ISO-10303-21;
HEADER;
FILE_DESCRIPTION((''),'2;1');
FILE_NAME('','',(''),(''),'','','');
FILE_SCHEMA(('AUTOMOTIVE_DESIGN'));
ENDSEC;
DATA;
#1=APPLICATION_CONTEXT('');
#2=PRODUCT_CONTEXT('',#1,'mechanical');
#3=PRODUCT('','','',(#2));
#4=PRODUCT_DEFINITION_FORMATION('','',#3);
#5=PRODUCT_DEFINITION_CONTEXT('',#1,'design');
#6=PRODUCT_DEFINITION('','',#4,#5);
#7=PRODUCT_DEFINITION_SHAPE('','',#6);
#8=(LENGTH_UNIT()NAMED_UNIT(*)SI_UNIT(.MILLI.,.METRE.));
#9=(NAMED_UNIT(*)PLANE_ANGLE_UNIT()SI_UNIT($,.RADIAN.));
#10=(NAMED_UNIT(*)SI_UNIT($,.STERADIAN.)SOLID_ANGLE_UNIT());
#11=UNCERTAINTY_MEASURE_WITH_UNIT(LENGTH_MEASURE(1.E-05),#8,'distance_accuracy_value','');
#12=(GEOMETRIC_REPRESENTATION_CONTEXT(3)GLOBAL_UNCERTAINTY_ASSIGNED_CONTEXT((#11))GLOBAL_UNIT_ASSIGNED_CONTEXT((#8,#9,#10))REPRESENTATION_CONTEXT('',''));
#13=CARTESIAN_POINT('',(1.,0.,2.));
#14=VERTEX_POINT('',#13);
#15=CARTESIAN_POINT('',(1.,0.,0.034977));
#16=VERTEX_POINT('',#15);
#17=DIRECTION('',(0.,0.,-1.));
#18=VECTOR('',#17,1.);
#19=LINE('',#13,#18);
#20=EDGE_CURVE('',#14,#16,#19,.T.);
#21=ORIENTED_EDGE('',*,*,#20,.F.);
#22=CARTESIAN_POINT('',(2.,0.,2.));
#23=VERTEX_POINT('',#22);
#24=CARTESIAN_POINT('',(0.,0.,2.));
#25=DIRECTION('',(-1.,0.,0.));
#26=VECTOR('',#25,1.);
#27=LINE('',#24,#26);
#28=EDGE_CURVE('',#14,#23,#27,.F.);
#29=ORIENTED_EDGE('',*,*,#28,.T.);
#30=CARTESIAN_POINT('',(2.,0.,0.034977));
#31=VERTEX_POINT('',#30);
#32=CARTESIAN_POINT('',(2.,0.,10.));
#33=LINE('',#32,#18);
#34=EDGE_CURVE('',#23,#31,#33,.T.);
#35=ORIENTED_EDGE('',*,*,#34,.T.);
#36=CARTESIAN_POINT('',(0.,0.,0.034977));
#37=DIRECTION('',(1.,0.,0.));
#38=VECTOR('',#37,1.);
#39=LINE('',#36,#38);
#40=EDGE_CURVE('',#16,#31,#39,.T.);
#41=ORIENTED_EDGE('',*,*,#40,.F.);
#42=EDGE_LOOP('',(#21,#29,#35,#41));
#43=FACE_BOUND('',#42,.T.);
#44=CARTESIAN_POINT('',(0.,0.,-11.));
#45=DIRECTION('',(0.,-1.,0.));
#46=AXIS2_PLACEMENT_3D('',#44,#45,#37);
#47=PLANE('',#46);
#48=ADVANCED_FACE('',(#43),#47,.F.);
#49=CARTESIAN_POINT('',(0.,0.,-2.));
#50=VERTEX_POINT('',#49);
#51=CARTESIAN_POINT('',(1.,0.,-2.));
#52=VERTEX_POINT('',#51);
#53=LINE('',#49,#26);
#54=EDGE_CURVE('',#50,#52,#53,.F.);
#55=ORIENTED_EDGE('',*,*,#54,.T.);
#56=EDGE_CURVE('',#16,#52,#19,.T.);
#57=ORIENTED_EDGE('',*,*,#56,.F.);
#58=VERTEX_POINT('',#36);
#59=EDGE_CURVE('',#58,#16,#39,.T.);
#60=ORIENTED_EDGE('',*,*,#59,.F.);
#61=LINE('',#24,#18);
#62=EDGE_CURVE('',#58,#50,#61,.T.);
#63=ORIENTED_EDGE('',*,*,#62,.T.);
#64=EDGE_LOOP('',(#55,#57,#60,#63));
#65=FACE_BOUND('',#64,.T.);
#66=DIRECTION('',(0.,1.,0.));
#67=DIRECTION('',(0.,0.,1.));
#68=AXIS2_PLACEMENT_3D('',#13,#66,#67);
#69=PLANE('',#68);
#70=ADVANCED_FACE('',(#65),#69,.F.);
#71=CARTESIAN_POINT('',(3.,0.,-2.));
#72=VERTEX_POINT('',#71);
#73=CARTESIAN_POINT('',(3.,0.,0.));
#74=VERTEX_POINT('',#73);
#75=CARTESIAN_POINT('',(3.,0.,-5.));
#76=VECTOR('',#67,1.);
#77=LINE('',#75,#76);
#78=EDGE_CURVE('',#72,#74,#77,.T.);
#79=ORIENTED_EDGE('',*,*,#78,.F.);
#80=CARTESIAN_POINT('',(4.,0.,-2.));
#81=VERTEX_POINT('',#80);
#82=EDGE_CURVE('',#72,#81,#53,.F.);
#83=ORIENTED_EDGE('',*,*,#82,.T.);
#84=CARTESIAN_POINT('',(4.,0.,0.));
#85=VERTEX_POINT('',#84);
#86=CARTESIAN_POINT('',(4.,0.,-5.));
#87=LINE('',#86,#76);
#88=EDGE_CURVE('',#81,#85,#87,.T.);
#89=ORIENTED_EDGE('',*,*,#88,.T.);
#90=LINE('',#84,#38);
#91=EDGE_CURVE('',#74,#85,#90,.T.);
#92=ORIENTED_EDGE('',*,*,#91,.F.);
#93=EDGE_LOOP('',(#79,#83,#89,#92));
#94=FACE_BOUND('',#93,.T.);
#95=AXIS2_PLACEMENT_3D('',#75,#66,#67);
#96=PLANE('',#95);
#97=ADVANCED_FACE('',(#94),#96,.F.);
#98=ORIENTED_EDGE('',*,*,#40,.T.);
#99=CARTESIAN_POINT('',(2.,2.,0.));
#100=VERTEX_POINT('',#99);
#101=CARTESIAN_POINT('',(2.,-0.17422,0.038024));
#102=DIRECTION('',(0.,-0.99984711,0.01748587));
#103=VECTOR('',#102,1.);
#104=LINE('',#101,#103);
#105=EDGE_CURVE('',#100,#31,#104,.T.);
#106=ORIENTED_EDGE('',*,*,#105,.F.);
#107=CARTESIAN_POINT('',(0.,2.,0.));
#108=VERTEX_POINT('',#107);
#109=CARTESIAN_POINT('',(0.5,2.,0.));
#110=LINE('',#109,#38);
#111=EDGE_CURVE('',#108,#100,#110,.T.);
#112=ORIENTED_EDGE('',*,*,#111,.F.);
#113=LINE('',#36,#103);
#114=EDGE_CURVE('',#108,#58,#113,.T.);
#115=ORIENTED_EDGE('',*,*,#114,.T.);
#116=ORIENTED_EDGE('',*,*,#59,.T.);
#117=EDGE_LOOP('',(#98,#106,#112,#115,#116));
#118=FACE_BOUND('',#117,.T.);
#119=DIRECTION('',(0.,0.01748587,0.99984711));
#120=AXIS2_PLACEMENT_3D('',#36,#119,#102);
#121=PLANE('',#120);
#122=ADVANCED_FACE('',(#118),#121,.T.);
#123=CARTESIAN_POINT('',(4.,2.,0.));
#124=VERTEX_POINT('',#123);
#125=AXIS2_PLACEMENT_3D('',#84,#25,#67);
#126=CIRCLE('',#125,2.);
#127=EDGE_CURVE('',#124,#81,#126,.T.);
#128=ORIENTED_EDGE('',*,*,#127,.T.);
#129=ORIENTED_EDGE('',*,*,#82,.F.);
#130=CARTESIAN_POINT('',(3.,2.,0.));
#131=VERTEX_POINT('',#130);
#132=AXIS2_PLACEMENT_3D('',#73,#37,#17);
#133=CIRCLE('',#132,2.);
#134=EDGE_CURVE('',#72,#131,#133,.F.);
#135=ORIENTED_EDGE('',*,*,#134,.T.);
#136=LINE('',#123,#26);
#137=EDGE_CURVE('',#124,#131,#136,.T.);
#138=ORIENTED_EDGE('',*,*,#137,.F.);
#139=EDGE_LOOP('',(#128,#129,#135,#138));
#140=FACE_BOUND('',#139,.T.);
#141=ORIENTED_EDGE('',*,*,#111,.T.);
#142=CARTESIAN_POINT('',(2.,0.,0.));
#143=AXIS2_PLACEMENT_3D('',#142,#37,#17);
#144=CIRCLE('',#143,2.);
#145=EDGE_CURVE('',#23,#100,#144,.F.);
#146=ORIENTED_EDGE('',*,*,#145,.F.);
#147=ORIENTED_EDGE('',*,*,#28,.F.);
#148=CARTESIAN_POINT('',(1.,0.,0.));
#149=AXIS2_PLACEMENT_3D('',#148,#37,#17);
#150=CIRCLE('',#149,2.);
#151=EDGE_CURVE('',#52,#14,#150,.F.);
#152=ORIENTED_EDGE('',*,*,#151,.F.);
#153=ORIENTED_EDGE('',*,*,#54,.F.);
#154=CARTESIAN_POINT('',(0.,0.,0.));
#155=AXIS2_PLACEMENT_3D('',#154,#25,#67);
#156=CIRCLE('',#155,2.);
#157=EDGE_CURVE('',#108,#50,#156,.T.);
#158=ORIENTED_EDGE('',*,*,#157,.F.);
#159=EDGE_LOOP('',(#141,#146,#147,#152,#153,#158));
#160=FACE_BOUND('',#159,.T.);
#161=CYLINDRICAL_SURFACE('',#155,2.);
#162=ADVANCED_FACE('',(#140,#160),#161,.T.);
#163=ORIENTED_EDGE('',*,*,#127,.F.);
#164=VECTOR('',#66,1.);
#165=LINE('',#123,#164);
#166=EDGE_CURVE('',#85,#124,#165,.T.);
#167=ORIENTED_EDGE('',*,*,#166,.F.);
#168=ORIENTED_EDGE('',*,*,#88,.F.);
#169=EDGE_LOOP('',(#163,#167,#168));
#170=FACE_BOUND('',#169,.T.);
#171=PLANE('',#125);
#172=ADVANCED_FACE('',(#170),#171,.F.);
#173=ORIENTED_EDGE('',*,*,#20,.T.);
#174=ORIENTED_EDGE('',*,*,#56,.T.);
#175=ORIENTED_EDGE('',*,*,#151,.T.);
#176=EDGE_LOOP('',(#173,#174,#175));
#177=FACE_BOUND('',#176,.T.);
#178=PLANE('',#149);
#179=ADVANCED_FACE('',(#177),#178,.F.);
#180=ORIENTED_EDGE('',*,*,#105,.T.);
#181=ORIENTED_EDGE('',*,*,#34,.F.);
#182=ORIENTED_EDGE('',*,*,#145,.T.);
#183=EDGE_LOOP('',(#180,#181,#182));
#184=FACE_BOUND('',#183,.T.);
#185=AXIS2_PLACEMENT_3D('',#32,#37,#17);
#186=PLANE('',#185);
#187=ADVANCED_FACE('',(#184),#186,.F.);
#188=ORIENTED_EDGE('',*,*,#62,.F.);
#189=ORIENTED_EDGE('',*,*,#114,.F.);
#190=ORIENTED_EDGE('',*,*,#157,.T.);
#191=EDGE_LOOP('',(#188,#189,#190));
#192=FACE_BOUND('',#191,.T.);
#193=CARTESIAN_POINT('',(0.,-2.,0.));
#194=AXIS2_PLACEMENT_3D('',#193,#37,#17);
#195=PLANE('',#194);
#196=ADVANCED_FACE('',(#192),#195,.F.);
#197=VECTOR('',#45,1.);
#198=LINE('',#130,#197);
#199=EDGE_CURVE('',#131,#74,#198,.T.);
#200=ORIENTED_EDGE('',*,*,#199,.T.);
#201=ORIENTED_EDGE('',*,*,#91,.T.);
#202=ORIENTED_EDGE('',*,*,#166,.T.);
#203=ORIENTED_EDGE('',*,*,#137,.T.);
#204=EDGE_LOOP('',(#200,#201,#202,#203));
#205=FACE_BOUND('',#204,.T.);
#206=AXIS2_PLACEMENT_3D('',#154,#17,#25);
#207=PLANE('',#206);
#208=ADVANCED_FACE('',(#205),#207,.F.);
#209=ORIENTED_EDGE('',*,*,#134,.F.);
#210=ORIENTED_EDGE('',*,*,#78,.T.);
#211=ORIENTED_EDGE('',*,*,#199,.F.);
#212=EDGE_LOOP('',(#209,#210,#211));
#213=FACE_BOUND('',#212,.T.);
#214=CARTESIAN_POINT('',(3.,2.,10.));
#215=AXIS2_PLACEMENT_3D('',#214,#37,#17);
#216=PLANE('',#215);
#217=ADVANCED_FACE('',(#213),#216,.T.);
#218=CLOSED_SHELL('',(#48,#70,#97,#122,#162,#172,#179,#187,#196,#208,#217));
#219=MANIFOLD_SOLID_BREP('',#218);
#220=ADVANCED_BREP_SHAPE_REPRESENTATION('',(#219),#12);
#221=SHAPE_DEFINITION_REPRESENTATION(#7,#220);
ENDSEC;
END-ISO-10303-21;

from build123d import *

# Parameters (mm, degrees)
SKETCH5_W           = 4
SKETCH5_H           = 2
SKETCH6_W           = 1
SKETCH6_H           = 2
CUT_EXTRUDE5_DEPTH  = 11
SKETCH8_W           = 0.5
SKETCH8_H           = 2
CUT_EXTRUDE7_DEPTH  = 10
SKETCH9_W           = 1.5
SKETCH9_H           = 2
CUT_EXTRUDE8_DEPTH  = 10
BOSS_EXTRUDE1_DEPTH = 4
SKETCH13_W          = 4.449870591
SKETCH13_H          = 3.198188742
CUT_EXTRUDE10_DEPTH = 1
SKETCH14_W          = 1
SKETCH14_H          = 2
CUT_EXTRUDE11_DEPTH = 10
SKETCH15_W          = 1
SKETCH15_H          = 2
CUT_EXTRUDE12_DEPTH = 5


with BuildPart() as part:
    # Sketch5 → Revolve-Thin2 (revolve)
    with BuildSketch(Plane.XY):
        with Locations((2, 1)):
            Rectangle(SKETCH5_W, SKETCH5_H)
    revolve(axis=Axis((0, 0, 0), (1, 0, 0)))

    # Sketch6 → Cut-Extrude5 (cut)
    with BuildSketch(Plane.XY):
        with Locations((3.5, 1)):
            Rectangle(SKETCH6_W, SKETCH6_H)
        with Locations((0.5, 1)):
            Rectangle(SKETCH6_W, SKETCH6_H)
    extrude(amount=-CUT_EXTRUDE5_DEPTH, mode=Mode.SUBTRACT)

    # Sketch8 → Cut-Extrude7 (cut)
    with BuildSketch(Plane(origin=(0, 0, 0), x_dir=(-1, 0, 0), z_dir=(0, 0, -1))):
        with Locations((-0.25, 1)):
            Rectangle(SKETCH8_W, SKETCH8_H)
    extrude(amount=-CUT_EXTRUDE7_DEPTH, mode=Mode.SUBTRACT)

    # Sketch9 → Cut-Extrude8 (cut)
    with BuildSketch(Plane(origin=(0, 0, 0), x_dir=(-1, 0, 0), z_dir=(0, 0, -1))):
        with Locations((-1.25, 1)):
            Rectangle(SKETCH9_W, SKETCH9_H)
    extrude(amount=-CUT_EXTRUDE8_DEPTH, mode=Mode.SUBTRACT)

    # Sketch10 → Boss-Extrude1 (add)
    with BuildSketch(Plane(origin=(4, 0, 0), x_dir=(0, 0, -1), z_dir=(1, 0, 0))):
        with BuildLine():
            Line((2, 0), (-0.034977088, 0))
            Line((-0.034977088, 0), (0, 2))
            ThreePointArc((0, 2), (1.414213562, 1.414213562), (2, 0))
        make_face()
    extrude(amount=-BOSS_EXTRUDE1_DEPTH)

    # Sketch13 → Cut-Extrude10 (cut)
    with BuildSketch(Plane.ZY):
        with Locations((-0.224935296, -1.599094371)):
            Rectangle(SKETCH13_W, SKETCH13_H)
    extrude(amount=-CUT_EXTRUDE10_DEPTH, mode=Mode.SUBTRACT)

    # Sketch14 → Cut-Extrude11 (cut)
    with BuildSketch(Plane.XY):
        with Locations((3.5, 1)):
            Rectangle(SKETCH14_W, SKETCH14_H)
    extrude(amount=CUT_EXTRUDE11_DEPTH, mode=Mode.SUBTRACT)

    # Sketch15 → Cut-Extrude12 (cut, symmetric)
    with BuildSketch(Plane.XY):
        with Locations((3.5, -1)):
            Rectangle(SKETCH15_W, SKETCH15_H)
    extrude(amount=CUT_EXTRUDE12_DEPTH, both=True, mode=Mode.SUBTRACT)


solid = part.part
